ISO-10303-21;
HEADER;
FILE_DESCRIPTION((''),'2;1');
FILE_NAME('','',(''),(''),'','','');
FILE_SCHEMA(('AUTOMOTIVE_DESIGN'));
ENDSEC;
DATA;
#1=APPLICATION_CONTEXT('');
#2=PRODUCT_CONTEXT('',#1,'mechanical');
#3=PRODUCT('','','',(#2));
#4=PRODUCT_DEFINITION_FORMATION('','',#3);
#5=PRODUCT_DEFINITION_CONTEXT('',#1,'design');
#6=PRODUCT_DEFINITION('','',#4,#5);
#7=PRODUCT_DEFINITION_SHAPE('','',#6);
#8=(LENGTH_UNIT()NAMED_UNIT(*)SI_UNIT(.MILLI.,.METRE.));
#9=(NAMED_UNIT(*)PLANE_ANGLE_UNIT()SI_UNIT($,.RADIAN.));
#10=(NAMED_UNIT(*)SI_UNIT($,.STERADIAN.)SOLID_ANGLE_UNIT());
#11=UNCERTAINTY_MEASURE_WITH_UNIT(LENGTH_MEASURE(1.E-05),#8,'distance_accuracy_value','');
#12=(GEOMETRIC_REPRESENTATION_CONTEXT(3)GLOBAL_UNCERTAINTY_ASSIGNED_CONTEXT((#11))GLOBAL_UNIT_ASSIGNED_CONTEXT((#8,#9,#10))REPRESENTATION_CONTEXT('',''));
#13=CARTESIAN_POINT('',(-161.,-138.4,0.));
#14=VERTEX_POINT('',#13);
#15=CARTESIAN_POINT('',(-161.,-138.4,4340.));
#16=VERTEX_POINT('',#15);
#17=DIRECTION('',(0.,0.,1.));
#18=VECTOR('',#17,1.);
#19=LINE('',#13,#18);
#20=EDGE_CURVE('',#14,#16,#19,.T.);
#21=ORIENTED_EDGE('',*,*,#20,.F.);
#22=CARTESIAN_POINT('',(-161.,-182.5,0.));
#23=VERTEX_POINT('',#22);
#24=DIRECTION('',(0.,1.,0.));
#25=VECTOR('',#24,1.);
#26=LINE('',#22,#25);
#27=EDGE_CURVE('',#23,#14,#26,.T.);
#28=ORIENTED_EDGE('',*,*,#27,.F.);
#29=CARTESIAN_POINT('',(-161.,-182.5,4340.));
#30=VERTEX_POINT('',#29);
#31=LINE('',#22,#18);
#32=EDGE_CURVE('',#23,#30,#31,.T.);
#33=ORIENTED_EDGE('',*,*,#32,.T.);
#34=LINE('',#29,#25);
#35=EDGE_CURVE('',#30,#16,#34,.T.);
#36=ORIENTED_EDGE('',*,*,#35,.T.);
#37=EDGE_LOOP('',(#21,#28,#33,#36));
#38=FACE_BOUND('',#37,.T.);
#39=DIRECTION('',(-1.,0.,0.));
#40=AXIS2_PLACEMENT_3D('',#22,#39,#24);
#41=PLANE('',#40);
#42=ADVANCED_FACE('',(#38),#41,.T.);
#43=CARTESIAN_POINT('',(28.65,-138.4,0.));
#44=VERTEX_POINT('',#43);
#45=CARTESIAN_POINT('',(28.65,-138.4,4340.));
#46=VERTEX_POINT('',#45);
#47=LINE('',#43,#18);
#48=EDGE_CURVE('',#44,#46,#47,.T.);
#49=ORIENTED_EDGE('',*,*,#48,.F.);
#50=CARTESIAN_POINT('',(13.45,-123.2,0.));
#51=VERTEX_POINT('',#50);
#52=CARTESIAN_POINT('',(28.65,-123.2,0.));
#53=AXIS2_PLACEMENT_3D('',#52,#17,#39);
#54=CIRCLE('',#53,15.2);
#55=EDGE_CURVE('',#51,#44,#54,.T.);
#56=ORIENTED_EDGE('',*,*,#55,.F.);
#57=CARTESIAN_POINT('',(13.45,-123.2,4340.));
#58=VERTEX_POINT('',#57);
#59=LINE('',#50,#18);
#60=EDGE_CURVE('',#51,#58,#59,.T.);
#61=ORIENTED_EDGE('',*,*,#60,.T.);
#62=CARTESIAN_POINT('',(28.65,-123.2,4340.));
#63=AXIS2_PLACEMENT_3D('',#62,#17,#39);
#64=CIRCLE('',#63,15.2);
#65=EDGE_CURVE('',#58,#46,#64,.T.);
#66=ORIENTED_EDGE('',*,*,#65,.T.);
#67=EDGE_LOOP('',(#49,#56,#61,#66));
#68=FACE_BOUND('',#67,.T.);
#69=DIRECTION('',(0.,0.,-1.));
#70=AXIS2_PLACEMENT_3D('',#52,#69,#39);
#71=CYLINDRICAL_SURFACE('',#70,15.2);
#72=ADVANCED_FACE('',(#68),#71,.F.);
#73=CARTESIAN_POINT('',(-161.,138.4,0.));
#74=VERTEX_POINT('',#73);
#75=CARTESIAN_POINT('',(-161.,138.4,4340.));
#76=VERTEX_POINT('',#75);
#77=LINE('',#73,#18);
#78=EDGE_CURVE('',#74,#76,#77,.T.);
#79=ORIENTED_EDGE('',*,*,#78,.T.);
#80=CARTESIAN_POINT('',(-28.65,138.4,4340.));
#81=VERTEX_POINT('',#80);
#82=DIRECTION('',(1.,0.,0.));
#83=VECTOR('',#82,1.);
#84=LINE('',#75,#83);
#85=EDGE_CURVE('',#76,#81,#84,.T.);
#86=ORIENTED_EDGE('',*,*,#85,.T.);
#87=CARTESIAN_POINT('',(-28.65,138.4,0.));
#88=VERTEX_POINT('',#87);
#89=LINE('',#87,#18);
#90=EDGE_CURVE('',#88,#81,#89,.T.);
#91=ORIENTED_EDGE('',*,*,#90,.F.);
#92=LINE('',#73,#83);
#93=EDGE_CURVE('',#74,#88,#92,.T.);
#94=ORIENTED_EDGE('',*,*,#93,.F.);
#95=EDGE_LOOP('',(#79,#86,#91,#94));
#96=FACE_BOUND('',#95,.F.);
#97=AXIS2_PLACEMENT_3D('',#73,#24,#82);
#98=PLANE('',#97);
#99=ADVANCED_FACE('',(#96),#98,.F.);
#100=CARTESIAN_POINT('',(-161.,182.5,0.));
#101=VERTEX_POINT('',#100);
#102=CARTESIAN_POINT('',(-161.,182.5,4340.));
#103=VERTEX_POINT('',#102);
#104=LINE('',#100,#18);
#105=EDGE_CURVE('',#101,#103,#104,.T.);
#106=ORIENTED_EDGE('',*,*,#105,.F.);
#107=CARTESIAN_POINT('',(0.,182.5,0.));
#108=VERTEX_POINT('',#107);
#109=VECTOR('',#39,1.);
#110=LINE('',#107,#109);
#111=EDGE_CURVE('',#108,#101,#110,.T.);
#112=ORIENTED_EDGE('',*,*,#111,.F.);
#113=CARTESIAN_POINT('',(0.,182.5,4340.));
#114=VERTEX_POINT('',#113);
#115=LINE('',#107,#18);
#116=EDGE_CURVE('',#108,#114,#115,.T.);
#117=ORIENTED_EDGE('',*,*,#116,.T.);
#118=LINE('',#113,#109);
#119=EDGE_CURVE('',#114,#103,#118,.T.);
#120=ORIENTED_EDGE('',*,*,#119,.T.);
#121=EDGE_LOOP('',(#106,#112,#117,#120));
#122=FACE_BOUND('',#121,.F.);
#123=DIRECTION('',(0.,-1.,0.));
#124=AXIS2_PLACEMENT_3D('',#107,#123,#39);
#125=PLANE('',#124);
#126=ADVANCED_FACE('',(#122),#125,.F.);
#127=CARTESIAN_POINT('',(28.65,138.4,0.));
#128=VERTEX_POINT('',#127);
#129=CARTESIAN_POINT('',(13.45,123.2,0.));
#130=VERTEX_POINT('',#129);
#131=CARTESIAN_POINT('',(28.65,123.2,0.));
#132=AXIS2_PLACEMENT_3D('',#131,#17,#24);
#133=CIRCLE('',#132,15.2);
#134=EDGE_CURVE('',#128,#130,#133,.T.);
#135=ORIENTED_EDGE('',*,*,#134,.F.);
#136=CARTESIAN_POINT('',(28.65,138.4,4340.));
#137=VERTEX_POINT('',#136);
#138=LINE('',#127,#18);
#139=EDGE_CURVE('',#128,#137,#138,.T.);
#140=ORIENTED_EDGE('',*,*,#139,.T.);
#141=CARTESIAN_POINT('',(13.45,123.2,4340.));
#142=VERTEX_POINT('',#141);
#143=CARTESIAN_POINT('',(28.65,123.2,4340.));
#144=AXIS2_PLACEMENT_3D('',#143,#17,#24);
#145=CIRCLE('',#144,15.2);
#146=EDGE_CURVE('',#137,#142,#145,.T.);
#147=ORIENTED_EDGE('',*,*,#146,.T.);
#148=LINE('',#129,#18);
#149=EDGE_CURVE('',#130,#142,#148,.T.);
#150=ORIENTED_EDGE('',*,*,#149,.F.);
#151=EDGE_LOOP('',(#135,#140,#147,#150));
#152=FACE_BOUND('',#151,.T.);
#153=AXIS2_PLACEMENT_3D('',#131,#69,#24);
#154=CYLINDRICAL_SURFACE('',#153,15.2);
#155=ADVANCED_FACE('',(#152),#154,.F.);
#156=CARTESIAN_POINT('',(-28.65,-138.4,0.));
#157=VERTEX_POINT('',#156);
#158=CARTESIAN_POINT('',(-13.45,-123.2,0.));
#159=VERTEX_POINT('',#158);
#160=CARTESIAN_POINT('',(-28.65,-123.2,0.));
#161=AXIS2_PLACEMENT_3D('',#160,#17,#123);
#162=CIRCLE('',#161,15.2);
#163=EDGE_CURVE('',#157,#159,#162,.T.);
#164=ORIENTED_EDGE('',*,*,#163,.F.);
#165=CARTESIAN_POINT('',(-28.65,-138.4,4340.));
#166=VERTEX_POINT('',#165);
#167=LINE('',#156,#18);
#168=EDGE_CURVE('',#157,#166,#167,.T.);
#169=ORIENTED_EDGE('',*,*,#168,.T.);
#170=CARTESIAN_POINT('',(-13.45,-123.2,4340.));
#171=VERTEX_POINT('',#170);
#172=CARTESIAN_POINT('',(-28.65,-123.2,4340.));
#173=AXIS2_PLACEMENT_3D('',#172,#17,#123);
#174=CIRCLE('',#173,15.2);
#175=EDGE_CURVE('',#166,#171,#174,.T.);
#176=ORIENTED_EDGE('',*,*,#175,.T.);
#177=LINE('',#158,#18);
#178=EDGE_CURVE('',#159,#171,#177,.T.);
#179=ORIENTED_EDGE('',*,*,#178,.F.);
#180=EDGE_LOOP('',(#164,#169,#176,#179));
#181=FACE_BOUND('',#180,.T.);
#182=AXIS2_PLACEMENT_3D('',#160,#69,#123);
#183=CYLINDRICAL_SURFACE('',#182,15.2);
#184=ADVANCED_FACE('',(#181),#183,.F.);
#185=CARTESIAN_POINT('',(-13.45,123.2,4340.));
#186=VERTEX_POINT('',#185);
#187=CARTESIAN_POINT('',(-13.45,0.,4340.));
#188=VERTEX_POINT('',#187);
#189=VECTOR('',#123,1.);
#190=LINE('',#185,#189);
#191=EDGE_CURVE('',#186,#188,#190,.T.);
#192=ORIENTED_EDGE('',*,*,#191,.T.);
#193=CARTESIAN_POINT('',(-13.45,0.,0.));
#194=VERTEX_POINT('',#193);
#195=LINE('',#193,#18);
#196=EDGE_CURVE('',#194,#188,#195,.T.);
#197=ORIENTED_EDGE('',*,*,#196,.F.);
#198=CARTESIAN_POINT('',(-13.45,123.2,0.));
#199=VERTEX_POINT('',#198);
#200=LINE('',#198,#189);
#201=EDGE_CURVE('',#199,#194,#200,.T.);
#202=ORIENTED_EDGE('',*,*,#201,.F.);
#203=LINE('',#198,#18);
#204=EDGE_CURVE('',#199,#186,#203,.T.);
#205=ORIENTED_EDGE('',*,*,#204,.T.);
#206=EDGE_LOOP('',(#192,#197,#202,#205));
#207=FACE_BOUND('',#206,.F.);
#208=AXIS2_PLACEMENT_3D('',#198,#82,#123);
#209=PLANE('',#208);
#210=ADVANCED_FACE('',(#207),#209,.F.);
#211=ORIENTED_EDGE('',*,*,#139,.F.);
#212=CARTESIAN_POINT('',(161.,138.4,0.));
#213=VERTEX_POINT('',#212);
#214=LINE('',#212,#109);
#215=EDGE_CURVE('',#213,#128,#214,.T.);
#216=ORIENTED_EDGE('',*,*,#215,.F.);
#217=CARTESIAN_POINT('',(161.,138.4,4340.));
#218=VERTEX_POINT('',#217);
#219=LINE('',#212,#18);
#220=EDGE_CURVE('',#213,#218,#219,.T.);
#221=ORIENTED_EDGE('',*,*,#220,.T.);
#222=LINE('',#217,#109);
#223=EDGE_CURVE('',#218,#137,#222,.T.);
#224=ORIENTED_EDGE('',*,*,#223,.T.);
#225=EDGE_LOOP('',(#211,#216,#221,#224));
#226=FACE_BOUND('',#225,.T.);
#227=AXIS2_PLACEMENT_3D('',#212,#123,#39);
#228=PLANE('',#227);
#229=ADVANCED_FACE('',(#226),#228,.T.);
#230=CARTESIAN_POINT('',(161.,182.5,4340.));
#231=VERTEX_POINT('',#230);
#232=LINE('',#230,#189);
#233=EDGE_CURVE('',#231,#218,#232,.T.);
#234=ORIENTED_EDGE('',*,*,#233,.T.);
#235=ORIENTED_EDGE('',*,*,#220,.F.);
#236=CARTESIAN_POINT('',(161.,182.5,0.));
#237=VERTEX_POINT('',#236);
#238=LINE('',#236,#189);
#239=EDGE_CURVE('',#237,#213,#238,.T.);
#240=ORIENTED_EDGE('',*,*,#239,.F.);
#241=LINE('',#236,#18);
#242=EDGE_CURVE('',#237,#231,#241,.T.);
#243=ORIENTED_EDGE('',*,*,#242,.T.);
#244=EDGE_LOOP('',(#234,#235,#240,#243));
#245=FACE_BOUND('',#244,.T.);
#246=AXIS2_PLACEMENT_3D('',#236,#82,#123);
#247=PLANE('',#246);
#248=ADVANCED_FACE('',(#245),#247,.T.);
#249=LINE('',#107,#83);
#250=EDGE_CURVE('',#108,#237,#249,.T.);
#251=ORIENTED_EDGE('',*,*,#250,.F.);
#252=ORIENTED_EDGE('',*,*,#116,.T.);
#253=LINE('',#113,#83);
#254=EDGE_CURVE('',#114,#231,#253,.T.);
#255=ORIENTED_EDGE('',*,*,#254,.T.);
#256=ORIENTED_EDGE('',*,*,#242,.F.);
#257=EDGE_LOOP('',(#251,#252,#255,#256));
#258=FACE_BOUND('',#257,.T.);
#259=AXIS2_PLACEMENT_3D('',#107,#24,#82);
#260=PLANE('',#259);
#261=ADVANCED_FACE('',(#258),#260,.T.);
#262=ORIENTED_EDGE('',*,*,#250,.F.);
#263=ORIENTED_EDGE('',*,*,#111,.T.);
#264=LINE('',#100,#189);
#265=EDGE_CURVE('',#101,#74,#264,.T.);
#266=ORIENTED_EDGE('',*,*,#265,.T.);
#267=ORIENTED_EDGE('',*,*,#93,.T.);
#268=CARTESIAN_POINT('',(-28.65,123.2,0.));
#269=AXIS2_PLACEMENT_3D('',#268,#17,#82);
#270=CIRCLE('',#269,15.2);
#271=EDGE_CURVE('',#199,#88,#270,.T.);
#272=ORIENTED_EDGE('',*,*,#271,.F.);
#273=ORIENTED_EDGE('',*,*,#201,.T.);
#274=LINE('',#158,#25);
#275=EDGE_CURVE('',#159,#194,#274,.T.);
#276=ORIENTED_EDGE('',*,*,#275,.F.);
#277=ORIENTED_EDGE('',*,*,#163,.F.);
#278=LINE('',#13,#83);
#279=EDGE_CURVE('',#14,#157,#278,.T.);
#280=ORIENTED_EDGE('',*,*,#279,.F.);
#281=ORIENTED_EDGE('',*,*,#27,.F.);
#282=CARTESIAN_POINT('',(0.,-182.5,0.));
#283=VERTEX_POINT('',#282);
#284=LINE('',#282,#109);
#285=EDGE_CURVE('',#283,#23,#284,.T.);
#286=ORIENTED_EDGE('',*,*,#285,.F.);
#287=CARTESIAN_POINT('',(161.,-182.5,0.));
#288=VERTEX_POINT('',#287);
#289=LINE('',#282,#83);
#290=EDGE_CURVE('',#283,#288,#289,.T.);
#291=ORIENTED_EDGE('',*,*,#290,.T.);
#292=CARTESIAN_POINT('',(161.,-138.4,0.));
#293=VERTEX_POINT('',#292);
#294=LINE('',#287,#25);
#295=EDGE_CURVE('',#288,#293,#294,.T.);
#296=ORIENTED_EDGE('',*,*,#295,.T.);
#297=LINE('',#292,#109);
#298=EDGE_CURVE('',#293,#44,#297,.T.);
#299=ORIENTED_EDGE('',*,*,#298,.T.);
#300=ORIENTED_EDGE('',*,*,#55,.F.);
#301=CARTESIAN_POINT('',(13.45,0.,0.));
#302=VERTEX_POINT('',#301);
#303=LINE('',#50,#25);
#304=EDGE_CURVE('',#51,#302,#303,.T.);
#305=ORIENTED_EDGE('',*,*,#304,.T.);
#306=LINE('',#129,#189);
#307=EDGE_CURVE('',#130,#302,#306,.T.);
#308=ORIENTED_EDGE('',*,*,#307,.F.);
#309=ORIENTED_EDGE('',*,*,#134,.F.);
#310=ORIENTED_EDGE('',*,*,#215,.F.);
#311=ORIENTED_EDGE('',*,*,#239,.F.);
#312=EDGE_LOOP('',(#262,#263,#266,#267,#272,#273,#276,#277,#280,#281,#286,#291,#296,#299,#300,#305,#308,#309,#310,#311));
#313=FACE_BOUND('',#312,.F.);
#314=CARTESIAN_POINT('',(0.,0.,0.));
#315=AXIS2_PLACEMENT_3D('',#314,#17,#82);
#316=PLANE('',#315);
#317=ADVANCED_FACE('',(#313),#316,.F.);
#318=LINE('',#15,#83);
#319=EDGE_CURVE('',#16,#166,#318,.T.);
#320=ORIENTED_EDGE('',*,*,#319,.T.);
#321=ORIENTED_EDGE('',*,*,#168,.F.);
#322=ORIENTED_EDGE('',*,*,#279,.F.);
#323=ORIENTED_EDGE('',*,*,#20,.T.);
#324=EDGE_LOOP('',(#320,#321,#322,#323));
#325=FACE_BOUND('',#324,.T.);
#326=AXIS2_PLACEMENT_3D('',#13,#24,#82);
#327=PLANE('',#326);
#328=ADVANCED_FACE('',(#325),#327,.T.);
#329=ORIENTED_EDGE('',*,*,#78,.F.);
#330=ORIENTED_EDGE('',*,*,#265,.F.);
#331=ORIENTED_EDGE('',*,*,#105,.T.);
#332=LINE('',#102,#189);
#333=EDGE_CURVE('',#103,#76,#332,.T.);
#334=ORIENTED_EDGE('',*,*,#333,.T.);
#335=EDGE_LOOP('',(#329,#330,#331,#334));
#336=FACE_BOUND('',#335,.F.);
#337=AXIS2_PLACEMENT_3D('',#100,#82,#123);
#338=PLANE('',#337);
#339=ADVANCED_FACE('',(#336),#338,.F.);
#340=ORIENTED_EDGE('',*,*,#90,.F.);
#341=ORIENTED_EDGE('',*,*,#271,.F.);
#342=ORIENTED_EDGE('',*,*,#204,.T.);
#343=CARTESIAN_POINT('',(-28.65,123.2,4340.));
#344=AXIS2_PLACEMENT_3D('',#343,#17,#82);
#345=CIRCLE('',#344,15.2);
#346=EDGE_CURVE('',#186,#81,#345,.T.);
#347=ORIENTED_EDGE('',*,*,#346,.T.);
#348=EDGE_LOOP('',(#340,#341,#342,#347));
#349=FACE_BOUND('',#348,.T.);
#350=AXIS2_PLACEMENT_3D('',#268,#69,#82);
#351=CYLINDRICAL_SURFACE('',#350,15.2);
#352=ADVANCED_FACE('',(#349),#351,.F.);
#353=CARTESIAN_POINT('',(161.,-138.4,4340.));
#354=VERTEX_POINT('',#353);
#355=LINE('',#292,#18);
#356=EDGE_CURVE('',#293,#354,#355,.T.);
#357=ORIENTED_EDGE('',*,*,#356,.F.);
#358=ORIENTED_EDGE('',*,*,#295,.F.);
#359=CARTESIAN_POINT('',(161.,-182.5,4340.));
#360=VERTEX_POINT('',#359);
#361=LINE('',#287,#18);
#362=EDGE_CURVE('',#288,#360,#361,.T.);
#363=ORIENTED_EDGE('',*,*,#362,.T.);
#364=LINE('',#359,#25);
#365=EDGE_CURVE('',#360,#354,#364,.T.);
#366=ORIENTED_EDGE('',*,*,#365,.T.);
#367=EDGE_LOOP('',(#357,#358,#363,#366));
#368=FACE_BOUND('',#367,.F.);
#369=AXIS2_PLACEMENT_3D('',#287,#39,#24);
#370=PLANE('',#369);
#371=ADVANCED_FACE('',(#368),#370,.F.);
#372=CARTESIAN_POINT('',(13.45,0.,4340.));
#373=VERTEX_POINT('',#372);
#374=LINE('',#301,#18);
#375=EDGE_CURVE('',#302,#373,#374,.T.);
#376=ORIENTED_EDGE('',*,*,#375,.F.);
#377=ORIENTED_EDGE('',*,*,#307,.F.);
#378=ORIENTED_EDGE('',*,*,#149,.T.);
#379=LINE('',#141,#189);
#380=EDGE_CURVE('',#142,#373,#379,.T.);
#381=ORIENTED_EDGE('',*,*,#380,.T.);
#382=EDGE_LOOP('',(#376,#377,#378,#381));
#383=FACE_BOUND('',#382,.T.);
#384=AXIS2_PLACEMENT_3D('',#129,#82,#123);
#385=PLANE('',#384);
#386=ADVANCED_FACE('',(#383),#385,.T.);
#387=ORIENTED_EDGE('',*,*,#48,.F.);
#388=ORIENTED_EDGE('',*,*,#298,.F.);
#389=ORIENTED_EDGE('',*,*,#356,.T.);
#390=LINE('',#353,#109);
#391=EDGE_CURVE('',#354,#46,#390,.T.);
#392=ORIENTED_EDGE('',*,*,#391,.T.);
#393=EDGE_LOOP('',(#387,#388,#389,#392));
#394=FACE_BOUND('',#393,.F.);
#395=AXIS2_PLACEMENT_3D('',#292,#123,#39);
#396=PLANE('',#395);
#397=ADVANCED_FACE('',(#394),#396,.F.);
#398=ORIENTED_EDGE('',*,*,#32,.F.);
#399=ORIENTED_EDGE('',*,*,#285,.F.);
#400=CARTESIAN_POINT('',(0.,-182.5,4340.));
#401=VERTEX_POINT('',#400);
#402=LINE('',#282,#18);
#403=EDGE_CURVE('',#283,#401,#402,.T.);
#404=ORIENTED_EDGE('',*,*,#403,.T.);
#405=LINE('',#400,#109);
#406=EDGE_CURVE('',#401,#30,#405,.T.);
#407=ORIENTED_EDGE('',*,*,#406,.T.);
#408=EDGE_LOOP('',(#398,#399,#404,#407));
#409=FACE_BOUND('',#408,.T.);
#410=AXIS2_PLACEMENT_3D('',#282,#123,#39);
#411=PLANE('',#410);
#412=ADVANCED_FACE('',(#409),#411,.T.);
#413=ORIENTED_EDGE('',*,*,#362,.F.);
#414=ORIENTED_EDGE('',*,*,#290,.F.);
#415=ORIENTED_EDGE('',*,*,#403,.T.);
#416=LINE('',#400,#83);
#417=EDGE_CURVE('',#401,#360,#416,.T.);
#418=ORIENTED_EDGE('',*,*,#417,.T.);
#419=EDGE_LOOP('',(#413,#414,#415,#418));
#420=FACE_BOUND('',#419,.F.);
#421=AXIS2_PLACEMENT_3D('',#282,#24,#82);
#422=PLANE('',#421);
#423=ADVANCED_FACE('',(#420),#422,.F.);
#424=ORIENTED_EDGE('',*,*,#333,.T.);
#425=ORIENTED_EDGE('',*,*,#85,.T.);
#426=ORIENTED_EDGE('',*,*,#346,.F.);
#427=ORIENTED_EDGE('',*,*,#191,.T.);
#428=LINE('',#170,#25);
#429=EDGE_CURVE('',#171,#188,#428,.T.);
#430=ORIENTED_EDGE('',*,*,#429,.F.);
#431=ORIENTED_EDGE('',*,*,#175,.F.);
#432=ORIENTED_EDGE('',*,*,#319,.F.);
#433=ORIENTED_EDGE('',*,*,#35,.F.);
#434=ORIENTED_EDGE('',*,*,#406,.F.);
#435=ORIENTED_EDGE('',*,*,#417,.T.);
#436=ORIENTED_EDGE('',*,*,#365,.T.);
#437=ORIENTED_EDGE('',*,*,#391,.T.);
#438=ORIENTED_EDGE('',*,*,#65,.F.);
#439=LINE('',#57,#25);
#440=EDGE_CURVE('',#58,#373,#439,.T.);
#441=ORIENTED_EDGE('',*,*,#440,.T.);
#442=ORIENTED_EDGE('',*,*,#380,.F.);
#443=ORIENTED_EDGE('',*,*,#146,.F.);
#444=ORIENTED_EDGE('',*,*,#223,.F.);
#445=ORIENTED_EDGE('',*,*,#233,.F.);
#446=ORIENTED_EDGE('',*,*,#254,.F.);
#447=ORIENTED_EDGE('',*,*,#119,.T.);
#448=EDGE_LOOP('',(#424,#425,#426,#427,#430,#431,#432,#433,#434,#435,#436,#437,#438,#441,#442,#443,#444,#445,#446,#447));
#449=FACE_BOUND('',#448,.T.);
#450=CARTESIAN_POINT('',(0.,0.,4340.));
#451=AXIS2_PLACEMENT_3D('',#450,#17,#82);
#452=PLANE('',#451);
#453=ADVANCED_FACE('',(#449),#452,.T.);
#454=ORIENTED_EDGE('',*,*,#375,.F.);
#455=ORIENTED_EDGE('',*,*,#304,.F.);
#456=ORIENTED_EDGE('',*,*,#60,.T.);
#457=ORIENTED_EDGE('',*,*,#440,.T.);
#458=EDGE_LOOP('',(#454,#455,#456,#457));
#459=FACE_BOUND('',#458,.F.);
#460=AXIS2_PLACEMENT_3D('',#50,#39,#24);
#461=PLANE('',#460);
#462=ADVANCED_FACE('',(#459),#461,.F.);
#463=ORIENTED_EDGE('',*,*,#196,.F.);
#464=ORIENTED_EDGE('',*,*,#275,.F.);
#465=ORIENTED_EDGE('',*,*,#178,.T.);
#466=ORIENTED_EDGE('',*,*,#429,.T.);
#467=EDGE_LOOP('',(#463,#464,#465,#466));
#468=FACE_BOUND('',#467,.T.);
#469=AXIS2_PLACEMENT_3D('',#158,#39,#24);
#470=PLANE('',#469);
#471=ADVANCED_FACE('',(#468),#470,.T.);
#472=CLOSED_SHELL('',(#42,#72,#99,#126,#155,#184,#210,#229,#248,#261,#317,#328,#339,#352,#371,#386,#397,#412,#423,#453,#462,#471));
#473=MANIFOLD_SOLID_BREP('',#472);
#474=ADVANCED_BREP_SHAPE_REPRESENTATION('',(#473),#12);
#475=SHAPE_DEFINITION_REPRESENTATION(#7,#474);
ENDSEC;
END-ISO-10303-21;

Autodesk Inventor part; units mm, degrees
ref_plane "YZ Plane" through (0, 0, 0) normal (1, 0, 0) x (0, 1, 0)
ref_plane "Start plane" through (0, 0, 0) normal (0, 0, 1) x (1, 0, 0)
ref_plane "End plane" through (0, 0, 4340) normal (0, 0, 1) x (1, 0, 0)
sketch "Sketch" plane through (0, 0, 0) normal (0, 0, 1) x (1, 0, 0)
  line L0 (-161, -182.5) -> (-161, -138.4)
  line L1 (-161, -138.4) -> (-28.65, -138.4)
  line L2 (-13.45, -123.2) -> (-13.45, 0)
  line L3 (-13.45, 0) -> (0, 0) construction
  line L4 (0, 0) -> (0, -182.5) construction
  line L5 (0, -182.5) -> (-161, -182.5)
  line L6 (-60, 0) -> (80, 0) construction
  line L7 (0, -60) -> (0, 80) construction
  line L8 (161, -182.5) -> (161, -138.4)
  line L9 (161, -138.4) -> (28.65, -138.4)
  line L10 (13.45, -123.2) -> (13.45, 0)
  line L11 (13.45, 0) -> (0, 0) construction
  line L12 (0, -182.5) -> (161, -182.5)
  line L13 (-161, 182.5) -> (-161, 138.4)
  line L14 (-161, 138.4) -> (-28.65, 138.4)
  line L15 (-13.45, 123.2) -> (-13.45, 0)
  line L16 (0, 182.5) -> (-161, 182.5)
  line L17 (161, 182.5) -> (161, 138.4)
  line L18 (161, 138.4) -> (28.65, 138.4)
  line L19 (0, 182.5) -> (161, 182.5)
  line L20 (13.45, 123.2) -> (13.45, 0)
  arc A0 (-13.45, 123.2) -> (-28.65, 138.4) centre (-28.65, 123.2) ccw
  arc A1 (28.65, 138.4) -> (13.45, 123.2) centre (28.65, 123.2) ccw
  arc A2 (13.45, -123.2) -> (28.65, -138.4) centre (28.65, -123.2) ccw
  arc A3 (-28.65, -138.4) -> (-13.45, -123.2) centre (-28.65, -123.2) ccw
  line L21 (0, 108) -> (0, -88) construction
  line L22 (-88, 0) -> (108, 0) construction
  point P0 (-13.45, -138.4)
  point P1 (13.45, -138.4)
  point P2 (-13.45, 138.4)
  point P3 (13.45, 138.4)
  dimension "d1" = 182.5
  dimension "d2" = 44.1
  dimension "d3" = 161
  dimension "d4" = 13.45
  dimension "d10" = 15.2
extrude "Body" add sketch "Sketch" along normal up to surface (4340 mm away) from surface at 0
sketch "Sketch4" plane through (0, 0, 0) normal (0, 0, 1) x (1, 0, 0)
  line L0 (0, 0) -> (10, 0)
ref_plane "Work Plane3" through (0, 0, 0) normal (0, -1, 0) x (1, 0, 0)
sketch "Sketch5" plane through (0, 0, 0) normal (0, -1, 0) x (1, 0, 0)
  line L0 (-2, 0) -> (12, 0) projected
  line L1 (-2, 4340) -> (12, 4340) projected
  dimension "d14" = 4340
equation "\"d1\" = 0.5 * G_H"
equation "\"d2\" = G_T1"
equation "\"d3\" = 0.5 * G_W"
equation "\"d4\" = 0.5 * G_T"
equation "\"d10\" = G_IR"
equation "\"d5\" = G_L"
equation "\"G_W\" = 322"
equation "\"G_H\" = 365"
equation "\"G_T\" = 26.9"
equation "\"G_T1\" = 44.1"
equation "\"G_IR\" = 15.2"
equation "\"G_L\" = d14"
equation "\"G_OFFSET_START\" = 0"
equation "\"G_OFFSET_END\" = 0"
properties part number "AS 3679 - 310 UC - 283 - 4340" material "Steel, Mild"
